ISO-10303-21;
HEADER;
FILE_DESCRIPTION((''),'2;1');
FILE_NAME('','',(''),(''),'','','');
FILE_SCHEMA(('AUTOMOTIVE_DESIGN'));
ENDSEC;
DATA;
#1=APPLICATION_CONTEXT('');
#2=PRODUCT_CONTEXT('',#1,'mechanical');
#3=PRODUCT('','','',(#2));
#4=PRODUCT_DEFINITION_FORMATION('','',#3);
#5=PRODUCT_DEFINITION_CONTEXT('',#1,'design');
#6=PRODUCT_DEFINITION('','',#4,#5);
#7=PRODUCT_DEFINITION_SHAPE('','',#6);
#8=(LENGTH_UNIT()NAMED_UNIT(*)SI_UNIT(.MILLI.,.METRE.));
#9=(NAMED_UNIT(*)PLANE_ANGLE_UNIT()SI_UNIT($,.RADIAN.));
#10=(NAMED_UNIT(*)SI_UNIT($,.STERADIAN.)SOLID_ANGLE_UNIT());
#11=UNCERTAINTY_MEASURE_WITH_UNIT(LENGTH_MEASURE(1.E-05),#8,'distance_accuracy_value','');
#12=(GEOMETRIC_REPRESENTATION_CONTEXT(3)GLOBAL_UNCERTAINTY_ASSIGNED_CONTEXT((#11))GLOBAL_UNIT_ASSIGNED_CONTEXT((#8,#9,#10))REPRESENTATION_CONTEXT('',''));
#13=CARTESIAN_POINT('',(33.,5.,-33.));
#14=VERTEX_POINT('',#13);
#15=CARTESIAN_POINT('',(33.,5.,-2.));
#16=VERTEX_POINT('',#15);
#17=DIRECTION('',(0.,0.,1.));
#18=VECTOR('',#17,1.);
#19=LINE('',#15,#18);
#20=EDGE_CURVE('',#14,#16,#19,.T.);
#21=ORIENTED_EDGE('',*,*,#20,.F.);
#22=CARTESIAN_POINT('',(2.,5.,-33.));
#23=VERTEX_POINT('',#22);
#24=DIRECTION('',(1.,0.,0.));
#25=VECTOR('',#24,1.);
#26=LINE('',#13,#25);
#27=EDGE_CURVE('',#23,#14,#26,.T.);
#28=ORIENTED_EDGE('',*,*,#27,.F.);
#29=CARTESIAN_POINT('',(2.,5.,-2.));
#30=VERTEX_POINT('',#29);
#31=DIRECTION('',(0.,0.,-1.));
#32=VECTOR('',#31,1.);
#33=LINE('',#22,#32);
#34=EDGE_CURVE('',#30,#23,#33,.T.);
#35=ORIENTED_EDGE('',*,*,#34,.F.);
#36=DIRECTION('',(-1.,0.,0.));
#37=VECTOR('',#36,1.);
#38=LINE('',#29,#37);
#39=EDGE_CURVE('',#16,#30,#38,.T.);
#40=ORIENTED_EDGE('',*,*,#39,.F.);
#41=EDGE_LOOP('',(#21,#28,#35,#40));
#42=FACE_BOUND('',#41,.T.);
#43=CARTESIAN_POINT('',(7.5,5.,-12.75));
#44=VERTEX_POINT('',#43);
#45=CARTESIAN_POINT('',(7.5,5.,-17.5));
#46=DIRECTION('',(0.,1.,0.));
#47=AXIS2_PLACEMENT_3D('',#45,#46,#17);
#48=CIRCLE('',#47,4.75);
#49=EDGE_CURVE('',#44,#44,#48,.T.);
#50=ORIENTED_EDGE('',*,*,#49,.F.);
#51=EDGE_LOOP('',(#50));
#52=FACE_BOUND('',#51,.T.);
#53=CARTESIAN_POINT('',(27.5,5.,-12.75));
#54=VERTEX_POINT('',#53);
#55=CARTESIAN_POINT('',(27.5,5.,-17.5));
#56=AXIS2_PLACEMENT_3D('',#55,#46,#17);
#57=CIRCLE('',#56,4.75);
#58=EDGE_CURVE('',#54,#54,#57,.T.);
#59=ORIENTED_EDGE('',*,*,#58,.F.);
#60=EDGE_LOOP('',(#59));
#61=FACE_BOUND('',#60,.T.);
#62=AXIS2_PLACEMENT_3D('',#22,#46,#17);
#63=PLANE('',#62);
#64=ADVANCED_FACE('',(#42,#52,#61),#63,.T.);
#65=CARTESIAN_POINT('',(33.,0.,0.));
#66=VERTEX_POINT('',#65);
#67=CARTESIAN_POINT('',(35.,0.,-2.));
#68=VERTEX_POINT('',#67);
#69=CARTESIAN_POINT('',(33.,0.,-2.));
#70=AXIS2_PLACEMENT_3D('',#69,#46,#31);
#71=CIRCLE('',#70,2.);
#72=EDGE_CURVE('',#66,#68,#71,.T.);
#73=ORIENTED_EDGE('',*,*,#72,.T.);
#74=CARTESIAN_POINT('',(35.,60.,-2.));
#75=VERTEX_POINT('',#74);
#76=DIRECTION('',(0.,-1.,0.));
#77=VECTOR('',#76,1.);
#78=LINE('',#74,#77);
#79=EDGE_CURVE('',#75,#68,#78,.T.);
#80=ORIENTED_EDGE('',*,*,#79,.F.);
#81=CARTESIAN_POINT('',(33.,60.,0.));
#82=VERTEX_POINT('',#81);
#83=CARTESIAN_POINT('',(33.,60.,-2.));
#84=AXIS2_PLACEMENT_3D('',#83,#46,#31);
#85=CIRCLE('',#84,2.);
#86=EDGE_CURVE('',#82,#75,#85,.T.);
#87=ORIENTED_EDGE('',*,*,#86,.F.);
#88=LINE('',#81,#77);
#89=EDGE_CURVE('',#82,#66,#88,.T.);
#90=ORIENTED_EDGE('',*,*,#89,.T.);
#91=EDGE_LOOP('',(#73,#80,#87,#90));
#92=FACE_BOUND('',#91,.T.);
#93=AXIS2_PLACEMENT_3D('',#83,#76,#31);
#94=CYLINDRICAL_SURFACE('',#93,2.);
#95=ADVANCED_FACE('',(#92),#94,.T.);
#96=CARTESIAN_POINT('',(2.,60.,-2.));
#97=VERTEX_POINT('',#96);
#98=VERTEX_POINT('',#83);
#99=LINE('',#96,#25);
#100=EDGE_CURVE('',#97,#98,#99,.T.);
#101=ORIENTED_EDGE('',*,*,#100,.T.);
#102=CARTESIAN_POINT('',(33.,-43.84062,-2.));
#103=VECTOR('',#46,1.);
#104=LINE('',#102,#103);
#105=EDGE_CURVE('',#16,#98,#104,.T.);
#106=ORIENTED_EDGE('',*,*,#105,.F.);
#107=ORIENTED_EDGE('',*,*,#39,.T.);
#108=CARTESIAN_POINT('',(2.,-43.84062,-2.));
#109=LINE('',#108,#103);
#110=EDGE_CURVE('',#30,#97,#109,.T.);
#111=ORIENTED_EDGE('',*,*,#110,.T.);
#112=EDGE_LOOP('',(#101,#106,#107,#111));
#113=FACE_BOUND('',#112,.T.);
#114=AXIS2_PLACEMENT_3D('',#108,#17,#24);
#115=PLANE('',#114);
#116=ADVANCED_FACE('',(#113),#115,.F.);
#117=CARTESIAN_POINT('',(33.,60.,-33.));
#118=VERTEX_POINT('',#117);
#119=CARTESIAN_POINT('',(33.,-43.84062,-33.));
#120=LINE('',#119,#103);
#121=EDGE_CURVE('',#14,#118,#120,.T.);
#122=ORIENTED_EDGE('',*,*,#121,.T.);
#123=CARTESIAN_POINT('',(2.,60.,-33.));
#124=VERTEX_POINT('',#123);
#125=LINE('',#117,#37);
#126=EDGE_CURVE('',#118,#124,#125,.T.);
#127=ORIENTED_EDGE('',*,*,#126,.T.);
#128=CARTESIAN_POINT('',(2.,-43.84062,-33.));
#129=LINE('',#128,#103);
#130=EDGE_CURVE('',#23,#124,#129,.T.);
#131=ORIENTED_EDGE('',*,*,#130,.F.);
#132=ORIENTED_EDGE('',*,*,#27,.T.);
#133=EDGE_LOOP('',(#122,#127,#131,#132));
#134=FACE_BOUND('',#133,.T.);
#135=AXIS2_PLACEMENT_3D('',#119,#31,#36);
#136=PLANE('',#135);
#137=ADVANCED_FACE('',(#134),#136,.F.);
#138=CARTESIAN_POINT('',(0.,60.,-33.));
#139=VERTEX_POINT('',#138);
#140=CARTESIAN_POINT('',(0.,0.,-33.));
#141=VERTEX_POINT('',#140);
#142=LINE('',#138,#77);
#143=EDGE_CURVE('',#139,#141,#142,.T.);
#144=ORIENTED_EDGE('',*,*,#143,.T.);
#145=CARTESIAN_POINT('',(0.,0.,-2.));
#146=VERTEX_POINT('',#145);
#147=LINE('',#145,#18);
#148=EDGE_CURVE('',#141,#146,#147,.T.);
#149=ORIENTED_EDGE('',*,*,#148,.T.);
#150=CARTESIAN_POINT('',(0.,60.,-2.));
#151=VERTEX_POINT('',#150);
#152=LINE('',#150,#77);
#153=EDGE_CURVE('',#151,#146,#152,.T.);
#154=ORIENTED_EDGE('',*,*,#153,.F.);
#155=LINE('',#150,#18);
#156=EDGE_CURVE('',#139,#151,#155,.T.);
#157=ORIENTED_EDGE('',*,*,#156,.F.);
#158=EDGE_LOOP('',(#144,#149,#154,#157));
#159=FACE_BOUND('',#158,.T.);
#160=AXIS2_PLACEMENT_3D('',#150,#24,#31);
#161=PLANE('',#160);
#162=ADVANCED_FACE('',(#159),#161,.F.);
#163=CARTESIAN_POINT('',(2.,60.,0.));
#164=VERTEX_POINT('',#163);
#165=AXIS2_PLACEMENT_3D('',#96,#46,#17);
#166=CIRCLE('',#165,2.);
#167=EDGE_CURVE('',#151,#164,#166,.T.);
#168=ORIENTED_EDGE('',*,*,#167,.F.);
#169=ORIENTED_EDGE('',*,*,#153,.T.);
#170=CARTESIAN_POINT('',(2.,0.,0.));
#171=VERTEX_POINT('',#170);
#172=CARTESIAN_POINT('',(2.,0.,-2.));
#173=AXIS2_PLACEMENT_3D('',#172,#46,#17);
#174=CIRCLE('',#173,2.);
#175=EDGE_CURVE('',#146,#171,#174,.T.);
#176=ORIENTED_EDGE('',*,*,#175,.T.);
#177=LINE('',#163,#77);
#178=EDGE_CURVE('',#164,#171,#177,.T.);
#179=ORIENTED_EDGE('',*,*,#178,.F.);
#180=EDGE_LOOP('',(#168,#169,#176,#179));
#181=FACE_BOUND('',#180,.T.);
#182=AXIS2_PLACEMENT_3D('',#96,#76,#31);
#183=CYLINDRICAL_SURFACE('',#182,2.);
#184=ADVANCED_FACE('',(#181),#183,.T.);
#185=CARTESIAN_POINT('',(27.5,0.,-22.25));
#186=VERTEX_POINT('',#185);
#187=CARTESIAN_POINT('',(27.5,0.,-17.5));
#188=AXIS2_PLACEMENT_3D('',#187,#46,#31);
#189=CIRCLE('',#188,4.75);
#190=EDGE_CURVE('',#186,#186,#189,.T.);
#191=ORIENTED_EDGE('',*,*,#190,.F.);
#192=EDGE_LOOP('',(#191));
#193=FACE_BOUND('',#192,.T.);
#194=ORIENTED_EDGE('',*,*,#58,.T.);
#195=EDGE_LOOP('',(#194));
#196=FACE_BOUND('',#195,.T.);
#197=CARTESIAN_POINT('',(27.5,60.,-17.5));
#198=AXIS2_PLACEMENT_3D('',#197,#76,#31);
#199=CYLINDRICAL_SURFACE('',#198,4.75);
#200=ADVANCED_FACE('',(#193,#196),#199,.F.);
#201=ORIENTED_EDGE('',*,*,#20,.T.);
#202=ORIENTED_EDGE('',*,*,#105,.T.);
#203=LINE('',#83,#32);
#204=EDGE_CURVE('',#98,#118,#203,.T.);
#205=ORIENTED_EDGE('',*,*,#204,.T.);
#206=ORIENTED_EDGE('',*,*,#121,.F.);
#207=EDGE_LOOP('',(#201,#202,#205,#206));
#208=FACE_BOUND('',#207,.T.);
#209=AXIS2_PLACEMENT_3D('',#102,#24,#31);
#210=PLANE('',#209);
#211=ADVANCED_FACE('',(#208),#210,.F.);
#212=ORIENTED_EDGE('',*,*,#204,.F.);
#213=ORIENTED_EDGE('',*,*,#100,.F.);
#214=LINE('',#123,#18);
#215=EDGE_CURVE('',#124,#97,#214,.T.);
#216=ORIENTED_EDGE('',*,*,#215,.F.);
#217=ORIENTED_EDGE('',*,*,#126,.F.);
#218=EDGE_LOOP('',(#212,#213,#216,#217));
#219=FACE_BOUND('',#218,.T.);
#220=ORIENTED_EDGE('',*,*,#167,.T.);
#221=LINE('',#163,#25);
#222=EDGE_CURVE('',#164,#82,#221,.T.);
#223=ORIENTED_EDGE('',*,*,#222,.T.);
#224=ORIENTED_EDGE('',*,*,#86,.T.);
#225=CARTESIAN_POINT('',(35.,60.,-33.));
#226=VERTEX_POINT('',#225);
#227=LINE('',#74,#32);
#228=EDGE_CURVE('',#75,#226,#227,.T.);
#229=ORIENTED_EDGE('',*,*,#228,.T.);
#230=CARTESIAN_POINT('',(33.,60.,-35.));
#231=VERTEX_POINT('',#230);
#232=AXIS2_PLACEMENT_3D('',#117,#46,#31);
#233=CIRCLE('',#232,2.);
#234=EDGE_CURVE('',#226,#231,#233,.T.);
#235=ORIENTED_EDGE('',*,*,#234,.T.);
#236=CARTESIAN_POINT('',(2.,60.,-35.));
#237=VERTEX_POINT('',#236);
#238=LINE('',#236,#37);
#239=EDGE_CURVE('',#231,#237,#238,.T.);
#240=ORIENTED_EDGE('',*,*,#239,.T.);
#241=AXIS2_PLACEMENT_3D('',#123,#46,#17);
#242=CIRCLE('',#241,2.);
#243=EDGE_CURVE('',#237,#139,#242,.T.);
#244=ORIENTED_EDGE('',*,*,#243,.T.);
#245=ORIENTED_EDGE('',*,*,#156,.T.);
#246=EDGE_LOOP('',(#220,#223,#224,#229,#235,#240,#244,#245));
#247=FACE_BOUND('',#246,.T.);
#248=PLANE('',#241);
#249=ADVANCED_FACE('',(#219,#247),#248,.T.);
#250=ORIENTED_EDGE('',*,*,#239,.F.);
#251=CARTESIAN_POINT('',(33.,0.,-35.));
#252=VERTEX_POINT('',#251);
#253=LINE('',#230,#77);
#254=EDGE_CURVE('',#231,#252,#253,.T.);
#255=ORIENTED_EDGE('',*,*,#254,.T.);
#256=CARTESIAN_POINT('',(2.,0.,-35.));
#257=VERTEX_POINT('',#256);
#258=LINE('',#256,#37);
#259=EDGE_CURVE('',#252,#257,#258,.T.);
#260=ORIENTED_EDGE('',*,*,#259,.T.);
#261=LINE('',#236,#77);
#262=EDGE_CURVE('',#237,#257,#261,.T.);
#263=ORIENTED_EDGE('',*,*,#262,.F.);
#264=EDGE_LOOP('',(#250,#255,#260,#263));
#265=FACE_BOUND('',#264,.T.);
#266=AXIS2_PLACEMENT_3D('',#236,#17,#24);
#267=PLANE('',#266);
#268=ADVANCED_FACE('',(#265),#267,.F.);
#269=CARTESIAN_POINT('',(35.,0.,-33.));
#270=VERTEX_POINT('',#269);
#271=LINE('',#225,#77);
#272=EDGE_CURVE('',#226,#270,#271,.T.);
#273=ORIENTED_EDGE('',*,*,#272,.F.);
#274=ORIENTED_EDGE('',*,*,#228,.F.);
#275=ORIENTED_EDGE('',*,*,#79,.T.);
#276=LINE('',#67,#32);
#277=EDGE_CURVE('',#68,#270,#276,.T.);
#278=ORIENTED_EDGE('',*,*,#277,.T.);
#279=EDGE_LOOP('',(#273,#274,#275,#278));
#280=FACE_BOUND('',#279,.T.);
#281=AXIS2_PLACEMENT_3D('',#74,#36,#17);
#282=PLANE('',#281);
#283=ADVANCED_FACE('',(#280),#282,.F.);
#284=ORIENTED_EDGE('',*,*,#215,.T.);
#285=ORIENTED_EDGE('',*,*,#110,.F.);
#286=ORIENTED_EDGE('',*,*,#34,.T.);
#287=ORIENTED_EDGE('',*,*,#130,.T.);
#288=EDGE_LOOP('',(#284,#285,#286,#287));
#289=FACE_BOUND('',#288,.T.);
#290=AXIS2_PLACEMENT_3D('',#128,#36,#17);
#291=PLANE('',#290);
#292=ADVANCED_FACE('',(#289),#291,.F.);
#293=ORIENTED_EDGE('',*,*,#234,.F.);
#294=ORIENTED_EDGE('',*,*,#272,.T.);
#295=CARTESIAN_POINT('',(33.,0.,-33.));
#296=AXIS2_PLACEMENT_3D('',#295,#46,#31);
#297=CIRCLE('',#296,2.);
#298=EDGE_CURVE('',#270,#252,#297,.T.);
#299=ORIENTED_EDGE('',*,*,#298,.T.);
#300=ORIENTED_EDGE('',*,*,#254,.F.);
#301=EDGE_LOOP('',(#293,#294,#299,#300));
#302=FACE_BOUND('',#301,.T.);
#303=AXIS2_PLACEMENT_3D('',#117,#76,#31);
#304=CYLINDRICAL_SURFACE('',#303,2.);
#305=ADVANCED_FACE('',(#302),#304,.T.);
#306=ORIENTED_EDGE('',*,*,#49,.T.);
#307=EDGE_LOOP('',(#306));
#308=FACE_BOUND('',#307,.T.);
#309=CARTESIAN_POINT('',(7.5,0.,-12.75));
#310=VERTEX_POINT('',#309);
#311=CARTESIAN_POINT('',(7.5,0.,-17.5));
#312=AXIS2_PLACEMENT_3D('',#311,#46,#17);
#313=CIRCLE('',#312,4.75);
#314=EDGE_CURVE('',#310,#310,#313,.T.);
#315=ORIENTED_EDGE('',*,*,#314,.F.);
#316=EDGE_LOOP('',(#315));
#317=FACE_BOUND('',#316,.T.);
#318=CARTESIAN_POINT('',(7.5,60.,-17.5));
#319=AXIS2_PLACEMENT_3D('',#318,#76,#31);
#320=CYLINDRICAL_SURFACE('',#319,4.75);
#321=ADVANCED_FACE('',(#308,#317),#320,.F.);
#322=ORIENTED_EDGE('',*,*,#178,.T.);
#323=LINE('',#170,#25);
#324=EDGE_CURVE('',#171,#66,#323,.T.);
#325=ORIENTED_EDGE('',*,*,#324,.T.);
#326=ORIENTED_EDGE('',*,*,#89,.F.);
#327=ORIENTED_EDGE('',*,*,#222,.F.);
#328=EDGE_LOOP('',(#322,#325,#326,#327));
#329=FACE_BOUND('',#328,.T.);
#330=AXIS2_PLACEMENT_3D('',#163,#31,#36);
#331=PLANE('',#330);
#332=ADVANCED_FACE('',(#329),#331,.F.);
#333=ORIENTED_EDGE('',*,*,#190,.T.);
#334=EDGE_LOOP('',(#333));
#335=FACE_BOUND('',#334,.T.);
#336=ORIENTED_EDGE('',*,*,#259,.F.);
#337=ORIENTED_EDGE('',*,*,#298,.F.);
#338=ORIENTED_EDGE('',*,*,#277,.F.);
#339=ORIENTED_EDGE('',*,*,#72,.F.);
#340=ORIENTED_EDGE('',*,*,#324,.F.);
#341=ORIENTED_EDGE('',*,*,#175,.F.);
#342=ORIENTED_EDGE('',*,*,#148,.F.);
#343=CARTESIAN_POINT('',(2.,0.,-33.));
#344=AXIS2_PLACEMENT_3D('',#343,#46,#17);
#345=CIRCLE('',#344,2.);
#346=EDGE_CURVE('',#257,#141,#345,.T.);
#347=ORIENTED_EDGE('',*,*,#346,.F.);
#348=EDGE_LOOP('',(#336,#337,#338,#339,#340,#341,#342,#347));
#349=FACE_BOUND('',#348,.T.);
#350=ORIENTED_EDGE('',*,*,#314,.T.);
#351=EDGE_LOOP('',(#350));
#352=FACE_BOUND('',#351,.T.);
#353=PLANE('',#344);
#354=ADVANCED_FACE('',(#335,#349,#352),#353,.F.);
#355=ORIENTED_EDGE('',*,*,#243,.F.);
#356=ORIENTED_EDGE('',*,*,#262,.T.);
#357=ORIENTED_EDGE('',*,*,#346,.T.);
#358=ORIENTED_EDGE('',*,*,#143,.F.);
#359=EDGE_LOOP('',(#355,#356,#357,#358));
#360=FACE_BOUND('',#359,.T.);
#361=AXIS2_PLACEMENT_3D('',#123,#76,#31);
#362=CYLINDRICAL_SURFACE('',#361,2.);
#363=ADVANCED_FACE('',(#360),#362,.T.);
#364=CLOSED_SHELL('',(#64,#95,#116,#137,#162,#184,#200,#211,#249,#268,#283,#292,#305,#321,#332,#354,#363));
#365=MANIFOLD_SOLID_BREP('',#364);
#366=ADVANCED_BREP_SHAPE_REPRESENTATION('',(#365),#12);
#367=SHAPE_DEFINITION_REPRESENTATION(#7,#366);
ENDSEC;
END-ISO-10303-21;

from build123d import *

# Parameters (mm, degrees)
SKETCH1_R           = 4.75
BOSS_EXTRUDE1_DEPTH = 60
SKETCH2_W           = 31
SKETCH2_H           = 31
CUT_EXTRUDE1_DEPTH  = 55


with BuildPart() as part:
    # Sketch1 → Boss-Extrude1 (new body)
    with BuildSketch(Plane(origin=(0, 0, 0), x_dir=(1, 0, 0), z_dir=(0, 1, 0))):
        with BuildLine():
            Line((2, 0), (33, 0))
            ThreePointArc((33, 0), (34.414213562, 0.585786438), (35, 2))
            Line((35, 2), (35, 33))
            ThreePointArc((35, 33), (34.414213562, 34.414213562), (33, 35))
            Line((33, 35), (2, 35))
            ThreePointArc((2, 35), (0.585786438, 34.414213562), (0, 33))
            Line((0, 33), (0, 2))
            ThreePointArc((0, 2), (0.585786438, 0.585786438), (2, 0))
        make_face()
        with Locations((7.5, 17.5)):
            Circle(SKETCH1_R, mode=Mode.SUBTRACT)
        with Locations((27.5, 17.5)):
            Circle(SKETCH1_R, mode=Mode.SUBTRACT)
    extrude(amount=BOSS_EXTRUDE1_DEPTH)

    # Sketch2 → Cut-Extrude1 (cut)
    with BuildSketch(Plane(origin=(0, 60, 0), x_dir=(1, 0, 0), z_dir=(0, 1, 0))):
        with Locations((17.5, 17.5)):
            Rectangle(SKETCH2_W, SKETCH2_H)
    extrude(amount=-CUT_EXTRUDE1_DEPTH, mode=Mode.SUBTRACT)


solid = part.part
